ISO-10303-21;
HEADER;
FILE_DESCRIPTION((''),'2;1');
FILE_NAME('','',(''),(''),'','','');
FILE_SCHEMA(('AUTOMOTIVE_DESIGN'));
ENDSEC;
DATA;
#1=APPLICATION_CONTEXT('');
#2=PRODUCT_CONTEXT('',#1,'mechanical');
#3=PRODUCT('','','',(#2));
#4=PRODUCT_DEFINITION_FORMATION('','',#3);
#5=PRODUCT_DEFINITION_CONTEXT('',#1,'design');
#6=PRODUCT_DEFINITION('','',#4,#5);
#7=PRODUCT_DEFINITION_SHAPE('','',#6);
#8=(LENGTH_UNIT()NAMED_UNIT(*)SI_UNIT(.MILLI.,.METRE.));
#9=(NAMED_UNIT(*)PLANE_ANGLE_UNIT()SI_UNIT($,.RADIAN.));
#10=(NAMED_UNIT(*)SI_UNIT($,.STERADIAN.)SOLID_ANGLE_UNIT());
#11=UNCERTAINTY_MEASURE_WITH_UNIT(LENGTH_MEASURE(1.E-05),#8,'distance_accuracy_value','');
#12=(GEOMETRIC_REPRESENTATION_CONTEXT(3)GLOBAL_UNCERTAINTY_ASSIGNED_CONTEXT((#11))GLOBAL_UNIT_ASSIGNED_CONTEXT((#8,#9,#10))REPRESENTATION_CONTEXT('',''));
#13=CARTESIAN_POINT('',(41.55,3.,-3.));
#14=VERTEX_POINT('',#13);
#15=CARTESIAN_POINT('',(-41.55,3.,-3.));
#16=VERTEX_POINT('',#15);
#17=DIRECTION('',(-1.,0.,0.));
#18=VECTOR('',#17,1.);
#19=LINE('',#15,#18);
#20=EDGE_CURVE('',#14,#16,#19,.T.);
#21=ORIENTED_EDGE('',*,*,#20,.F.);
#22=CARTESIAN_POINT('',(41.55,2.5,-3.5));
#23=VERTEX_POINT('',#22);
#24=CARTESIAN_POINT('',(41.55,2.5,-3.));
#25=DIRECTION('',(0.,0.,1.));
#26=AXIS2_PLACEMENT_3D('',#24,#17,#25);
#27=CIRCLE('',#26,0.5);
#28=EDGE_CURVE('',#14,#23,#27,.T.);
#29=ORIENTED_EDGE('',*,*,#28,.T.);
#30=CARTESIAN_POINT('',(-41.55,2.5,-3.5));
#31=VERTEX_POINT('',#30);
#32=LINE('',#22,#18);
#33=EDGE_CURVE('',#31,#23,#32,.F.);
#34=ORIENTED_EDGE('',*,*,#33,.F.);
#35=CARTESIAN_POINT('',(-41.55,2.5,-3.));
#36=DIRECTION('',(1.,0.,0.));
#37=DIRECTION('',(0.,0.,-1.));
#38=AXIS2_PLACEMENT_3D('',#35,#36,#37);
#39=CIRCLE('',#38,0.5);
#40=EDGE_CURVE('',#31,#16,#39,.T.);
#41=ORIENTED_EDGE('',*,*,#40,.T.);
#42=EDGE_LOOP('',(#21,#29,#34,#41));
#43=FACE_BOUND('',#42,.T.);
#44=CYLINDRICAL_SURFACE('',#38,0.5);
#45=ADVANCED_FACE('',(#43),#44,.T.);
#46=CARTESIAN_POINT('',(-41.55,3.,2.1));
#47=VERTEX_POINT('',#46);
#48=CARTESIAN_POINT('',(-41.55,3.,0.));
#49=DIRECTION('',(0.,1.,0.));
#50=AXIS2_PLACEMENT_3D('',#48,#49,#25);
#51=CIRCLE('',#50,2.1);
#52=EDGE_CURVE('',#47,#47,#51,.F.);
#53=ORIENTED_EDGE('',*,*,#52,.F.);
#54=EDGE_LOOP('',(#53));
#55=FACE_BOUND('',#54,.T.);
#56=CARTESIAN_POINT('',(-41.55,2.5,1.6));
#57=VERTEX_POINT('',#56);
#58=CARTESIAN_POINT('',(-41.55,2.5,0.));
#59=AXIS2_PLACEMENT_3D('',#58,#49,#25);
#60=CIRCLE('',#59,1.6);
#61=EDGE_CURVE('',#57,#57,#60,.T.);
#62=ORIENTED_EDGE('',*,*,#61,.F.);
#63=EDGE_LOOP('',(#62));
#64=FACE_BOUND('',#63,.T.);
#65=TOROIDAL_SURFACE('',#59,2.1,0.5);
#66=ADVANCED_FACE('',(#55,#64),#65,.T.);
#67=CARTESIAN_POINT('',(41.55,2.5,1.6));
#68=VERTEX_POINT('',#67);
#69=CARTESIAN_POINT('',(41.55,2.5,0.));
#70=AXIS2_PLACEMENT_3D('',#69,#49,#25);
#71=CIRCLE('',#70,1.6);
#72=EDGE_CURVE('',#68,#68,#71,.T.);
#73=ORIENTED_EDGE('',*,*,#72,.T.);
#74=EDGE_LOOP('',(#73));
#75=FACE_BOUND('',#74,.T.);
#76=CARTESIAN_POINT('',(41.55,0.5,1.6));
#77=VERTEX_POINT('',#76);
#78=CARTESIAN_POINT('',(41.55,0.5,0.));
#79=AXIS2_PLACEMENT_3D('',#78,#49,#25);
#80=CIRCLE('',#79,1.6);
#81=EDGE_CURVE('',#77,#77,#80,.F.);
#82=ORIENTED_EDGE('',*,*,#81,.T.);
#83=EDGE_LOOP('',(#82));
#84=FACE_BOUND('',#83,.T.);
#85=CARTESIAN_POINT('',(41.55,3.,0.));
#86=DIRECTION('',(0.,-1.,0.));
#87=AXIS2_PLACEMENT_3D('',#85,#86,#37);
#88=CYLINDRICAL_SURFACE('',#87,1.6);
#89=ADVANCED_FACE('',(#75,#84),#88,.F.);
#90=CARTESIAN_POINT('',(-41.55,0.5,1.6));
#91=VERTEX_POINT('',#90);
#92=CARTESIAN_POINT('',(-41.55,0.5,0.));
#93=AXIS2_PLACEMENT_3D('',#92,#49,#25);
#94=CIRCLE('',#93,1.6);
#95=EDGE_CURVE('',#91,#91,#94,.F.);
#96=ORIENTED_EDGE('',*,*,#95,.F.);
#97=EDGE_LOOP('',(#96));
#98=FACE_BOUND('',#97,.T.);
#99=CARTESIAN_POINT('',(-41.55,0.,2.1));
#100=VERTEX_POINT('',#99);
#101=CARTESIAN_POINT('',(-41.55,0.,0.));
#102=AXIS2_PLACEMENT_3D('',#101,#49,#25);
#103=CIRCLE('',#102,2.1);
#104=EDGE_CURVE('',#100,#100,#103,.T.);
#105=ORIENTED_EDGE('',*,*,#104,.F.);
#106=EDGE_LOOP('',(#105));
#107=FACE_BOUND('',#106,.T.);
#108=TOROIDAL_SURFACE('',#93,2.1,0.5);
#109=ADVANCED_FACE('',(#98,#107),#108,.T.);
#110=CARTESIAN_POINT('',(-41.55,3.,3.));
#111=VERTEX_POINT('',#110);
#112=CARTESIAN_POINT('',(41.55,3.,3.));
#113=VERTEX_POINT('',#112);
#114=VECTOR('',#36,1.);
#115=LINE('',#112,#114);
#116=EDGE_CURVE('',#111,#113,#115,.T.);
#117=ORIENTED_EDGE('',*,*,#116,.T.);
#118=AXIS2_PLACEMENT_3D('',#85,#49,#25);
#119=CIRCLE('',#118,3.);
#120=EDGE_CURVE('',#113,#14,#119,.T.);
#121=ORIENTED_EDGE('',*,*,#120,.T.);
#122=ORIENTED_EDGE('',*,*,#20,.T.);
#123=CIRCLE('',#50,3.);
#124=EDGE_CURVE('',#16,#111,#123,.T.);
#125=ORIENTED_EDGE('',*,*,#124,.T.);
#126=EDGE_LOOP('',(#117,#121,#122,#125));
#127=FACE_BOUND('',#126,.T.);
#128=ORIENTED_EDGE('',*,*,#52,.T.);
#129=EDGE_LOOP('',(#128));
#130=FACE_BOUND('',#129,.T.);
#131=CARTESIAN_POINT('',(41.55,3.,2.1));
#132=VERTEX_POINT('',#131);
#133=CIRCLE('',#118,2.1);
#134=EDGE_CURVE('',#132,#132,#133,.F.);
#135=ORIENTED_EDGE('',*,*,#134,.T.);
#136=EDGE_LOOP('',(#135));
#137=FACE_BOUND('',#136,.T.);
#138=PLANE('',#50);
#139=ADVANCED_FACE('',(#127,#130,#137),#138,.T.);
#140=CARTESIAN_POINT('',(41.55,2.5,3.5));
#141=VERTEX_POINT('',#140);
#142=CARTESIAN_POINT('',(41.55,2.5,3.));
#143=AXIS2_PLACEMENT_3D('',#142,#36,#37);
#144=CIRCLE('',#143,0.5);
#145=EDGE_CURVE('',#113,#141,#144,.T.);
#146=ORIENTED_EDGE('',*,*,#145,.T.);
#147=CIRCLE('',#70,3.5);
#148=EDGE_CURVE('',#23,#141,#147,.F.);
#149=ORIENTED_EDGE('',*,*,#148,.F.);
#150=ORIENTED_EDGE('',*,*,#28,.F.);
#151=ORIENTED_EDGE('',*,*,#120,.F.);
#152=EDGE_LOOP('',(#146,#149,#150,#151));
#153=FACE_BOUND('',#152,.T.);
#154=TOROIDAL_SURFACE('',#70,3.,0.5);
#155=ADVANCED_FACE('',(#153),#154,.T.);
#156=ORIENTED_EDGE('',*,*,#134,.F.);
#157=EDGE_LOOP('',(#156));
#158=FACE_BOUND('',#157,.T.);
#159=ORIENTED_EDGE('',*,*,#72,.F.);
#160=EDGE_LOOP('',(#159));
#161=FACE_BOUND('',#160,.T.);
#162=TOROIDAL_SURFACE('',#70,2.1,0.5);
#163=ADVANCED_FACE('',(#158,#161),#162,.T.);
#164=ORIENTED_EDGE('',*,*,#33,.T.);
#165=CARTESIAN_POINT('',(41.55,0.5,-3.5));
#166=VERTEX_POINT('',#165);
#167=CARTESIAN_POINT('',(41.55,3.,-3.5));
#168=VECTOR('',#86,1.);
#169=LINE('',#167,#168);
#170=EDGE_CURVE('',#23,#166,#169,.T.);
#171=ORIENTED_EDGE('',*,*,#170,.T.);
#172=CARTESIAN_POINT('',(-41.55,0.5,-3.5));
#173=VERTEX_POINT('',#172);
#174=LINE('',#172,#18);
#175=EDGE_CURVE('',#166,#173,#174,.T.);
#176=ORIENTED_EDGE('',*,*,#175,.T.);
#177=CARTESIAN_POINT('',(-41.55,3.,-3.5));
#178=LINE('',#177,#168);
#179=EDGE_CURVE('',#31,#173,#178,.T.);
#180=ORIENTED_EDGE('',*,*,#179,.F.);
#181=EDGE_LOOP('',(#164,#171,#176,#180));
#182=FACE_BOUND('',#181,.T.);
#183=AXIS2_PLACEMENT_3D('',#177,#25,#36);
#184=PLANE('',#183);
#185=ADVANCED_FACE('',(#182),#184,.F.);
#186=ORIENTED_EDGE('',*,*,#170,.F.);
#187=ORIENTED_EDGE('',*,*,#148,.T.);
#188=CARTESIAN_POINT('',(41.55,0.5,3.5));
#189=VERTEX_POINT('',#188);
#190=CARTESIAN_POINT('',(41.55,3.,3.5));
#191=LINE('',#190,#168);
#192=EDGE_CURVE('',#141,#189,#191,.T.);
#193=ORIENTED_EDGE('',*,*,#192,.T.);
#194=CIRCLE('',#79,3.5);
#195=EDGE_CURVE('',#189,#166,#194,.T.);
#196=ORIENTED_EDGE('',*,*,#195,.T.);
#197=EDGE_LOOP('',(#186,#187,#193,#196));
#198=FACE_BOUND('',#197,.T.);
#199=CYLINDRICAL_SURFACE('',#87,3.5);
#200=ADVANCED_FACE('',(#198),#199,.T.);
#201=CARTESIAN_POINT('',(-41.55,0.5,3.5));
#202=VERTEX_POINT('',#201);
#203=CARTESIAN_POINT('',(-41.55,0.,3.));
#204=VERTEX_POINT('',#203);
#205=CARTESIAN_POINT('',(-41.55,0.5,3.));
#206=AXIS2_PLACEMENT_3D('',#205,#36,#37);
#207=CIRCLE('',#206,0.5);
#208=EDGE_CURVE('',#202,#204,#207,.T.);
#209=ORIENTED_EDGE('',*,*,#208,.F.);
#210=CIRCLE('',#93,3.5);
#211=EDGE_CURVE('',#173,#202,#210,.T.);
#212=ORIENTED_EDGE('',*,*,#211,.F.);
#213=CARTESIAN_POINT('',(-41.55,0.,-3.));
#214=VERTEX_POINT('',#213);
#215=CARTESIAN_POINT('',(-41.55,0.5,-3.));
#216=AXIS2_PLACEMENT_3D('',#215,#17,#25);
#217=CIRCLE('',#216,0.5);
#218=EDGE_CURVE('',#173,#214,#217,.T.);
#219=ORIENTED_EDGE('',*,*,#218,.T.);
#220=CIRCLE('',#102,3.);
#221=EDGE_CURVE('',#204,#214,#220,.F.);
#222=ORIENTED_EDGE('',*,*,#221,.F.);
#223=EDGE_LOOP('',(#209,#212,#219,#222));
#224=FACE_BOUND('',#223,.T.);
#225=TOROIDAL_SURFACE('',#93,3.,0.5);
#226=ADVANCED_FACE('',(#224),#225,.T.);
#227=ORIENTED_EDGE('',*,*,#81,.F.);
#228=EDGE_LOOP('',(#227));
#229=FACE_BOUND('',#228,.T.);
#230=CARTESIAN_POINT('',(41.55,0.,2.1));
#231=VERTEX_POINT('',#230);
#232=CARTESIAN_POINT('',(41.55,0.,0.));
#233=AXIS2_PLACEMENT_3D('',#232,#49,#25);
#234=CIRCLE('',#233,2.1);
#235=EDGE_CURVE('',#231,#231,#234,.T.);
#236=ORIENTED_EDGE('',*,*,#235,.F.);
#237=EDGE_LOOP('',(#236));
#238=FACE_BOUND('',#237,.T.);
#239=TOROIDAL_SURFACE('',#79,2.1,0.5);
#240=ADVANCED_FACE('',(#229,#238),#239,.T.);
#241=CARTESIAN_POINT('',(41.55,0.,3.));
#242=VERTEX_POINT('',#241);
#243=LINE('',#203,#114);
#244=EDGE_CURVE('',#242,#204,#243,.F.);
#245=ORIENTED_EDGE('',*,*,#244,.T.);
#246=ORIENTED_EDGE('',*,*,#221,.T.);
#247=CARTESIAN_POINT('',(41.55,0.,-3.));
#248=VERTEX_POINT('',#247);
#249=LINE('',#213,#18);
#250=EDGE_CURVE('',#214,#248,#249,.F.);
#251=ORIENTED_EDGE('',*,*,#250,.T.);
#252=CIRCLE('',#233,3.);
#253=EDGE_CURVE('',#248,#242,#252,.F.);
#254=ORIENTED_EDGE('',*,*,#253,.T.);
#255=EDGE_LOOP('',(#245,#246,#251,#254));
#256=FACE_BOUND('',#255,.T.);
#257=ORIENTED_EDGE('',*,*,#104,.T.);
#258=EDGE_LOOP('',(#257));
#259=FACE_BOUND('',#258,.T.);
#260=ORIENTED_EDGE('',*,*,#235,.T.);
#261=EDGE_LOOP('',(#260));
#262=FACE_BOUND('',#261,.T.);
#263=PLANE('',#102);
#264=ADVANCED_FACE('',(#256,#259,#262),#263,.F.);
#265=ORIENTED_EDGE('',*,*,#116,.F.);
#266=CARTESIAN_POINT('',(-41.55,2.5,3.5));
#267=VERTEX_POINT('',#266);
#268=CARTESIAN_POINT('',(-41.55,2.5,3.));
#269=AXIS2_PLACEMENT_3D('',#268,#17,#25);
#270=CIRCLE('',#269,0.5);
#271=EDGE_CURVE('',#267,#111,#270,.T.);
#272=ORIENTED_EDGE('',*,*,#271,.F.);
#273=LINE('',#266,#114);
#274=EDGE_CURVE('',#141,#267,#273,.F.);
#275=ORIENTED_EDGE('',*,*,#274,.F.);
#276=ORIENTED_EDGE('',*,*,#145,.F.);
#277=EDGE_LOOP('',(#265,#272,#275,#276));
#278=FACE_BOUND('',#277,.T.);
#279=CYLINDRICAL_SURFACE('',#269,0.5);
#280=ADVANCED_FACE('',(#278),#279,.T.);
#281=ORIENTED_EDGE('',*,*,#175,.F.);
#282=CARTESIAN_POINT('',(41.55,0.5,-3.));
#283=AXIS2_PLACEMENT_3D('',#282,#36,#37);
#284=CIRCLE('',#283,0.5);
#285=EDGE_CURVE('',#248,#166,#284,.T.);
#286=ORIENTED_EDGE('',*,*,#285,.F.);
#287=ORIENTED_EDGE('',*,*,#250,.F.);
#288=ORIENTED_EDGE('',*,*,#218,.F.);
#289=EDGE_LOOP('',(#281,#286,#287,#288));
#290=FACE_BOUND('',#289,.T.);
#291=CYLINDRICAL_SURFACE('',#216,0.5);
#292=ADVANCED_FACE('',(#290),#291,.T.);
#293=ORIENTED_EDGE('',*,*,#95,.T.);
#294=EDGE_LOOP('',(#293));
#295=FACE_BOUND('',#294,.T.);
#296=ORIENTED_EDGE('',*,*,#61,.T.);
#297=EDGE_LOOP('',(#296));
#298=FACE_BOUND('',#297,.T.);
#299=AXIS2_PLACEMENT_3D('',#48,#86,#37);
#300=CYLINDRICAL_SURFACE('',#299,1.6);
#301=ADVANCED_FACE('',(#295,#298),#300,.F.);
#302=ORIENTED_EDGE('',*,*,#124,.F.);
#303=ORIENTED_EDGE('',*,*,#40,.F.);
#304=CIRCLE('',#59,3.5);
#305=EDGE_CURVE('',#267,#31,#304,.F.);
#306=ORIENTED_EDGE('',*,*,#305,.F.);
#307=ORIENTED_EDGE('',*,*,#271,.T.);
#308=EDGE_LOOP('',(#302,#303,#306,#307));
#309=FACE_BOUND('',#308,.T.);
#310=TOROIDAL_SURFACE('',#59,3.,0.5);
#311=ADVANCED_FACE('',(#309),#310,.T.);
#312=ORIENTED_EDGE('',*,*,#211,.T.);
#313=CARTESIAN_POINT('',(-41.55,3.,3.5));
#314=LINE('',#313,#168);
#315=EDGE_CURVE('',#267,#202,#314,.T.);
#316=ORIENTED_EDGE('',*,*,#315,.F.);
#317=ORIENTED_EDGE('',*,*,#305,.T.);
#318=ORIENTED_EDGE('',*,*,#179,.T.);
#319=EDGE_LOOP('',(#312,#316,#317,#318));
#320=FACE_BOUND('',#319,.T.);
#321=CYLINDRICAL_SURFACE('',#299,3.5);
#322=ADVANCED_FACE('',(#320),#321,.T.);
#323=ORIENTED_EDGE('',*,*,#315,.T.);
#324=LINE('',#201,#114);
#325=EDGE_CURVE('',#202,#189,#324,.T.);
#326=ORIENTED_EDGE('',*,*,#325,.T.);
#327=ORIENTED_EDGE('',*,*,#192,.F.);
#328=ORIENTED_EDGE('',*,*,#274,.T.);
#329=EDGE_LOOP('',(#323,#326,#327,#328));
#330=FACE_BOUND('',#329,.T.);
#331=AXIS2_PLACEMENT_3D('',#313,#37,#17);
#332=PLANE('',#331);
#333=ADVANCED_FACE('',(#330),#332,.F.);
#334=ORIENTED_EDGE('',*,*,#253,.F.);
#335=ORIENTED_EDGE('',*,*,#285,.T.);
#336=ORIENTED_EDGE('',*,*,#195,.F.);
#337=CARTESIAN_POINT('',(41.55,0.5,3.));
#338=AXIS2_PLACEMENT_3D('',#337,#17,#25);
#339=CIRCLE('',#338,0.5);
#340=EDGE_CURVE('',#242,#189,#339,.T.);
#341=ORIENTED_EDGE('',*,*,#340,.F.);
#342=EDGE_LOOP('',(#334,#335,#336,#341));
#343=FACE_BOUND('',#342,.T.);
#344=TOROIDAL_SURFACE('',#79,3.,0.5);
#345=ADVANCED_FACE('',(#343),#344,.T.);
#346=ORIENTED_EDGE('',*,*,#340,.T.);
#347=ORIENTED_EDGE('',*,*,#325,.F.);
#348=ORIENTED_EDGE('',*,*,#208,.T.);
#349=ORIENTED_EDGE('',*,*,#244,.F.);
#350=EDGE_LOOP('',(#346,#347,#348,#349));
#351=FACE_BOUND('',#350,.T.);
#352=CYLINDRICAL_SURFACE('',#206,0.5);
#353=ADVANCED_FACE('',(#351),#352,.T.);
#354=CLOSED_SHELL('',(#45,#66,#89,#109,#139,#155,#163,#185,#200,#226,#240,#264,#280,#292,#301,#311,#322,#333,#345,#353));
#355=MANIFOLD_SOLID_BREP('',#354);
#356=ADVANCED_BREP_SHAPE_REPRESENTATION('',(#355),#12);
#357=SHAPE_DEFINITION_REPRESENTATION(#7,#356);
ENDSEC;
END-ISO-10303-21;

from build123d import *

# Parameters (mm, degrees)
SKETCH1_R           = 1.6
BOSS_EXTRUDE1_DEPTH = 3
FILLET1_R           = 0.5


with BuildPart() as part:
    # Sketch1 → Boss-Extrude1 (new body)
    with BuildSketch(Plane(origin=(0, 0, 0), x_dir=(1, 0, 0), z_dir=(0, 1, 0))):
        with BuildLine():
            Line((-41.55, 3.5), (41.55, 3.5))
            ThreePointArc((41.55, 3.5), (45.05, 0), (41.55, -3.5))
            Line((41.55, -3.5), (-41.55, -3.5))
            ThreePointArc((-41.55, -3.5), (-45.05, 0), (-41.55, 3.5))
        make_face()
        with Locations(Location((41.55, 0, 0), (0, 0, 270))):
            Circle(SKETCH1_R, mode=Mode.SUBTRACT)
        with Locations(Location((-41.55, 0, 0), (0, 0, 270))):
            Circle(SKETCH1_R, mode=Mode.SUBTRACT)
    extrude(amount=BOSS_EXTRUDE1_DEPTH)

    # Fillet1
    fillet1_edges = [part.edges().sort_by_distance(p)[0] for p in [
        (41.55, 0, -1.6),
        (41.55, 3, -1.6),
        (45.05, 3, 0),
        (-41.55, 0, -1.6),
        (-41.55, 3, -1.6),
        (0, 3, -3.5),
        (-45.05, 3, 0),
        (0, 0, -3.5),
        (45.05, 0, 0),
        (0, 0, 3.5),
        (-45.05, 0, 0),
        (0, 3, 3.5),
    ]]
    fillet(fillet1_edges, radius=FILLET1_R)


solid = part.part
